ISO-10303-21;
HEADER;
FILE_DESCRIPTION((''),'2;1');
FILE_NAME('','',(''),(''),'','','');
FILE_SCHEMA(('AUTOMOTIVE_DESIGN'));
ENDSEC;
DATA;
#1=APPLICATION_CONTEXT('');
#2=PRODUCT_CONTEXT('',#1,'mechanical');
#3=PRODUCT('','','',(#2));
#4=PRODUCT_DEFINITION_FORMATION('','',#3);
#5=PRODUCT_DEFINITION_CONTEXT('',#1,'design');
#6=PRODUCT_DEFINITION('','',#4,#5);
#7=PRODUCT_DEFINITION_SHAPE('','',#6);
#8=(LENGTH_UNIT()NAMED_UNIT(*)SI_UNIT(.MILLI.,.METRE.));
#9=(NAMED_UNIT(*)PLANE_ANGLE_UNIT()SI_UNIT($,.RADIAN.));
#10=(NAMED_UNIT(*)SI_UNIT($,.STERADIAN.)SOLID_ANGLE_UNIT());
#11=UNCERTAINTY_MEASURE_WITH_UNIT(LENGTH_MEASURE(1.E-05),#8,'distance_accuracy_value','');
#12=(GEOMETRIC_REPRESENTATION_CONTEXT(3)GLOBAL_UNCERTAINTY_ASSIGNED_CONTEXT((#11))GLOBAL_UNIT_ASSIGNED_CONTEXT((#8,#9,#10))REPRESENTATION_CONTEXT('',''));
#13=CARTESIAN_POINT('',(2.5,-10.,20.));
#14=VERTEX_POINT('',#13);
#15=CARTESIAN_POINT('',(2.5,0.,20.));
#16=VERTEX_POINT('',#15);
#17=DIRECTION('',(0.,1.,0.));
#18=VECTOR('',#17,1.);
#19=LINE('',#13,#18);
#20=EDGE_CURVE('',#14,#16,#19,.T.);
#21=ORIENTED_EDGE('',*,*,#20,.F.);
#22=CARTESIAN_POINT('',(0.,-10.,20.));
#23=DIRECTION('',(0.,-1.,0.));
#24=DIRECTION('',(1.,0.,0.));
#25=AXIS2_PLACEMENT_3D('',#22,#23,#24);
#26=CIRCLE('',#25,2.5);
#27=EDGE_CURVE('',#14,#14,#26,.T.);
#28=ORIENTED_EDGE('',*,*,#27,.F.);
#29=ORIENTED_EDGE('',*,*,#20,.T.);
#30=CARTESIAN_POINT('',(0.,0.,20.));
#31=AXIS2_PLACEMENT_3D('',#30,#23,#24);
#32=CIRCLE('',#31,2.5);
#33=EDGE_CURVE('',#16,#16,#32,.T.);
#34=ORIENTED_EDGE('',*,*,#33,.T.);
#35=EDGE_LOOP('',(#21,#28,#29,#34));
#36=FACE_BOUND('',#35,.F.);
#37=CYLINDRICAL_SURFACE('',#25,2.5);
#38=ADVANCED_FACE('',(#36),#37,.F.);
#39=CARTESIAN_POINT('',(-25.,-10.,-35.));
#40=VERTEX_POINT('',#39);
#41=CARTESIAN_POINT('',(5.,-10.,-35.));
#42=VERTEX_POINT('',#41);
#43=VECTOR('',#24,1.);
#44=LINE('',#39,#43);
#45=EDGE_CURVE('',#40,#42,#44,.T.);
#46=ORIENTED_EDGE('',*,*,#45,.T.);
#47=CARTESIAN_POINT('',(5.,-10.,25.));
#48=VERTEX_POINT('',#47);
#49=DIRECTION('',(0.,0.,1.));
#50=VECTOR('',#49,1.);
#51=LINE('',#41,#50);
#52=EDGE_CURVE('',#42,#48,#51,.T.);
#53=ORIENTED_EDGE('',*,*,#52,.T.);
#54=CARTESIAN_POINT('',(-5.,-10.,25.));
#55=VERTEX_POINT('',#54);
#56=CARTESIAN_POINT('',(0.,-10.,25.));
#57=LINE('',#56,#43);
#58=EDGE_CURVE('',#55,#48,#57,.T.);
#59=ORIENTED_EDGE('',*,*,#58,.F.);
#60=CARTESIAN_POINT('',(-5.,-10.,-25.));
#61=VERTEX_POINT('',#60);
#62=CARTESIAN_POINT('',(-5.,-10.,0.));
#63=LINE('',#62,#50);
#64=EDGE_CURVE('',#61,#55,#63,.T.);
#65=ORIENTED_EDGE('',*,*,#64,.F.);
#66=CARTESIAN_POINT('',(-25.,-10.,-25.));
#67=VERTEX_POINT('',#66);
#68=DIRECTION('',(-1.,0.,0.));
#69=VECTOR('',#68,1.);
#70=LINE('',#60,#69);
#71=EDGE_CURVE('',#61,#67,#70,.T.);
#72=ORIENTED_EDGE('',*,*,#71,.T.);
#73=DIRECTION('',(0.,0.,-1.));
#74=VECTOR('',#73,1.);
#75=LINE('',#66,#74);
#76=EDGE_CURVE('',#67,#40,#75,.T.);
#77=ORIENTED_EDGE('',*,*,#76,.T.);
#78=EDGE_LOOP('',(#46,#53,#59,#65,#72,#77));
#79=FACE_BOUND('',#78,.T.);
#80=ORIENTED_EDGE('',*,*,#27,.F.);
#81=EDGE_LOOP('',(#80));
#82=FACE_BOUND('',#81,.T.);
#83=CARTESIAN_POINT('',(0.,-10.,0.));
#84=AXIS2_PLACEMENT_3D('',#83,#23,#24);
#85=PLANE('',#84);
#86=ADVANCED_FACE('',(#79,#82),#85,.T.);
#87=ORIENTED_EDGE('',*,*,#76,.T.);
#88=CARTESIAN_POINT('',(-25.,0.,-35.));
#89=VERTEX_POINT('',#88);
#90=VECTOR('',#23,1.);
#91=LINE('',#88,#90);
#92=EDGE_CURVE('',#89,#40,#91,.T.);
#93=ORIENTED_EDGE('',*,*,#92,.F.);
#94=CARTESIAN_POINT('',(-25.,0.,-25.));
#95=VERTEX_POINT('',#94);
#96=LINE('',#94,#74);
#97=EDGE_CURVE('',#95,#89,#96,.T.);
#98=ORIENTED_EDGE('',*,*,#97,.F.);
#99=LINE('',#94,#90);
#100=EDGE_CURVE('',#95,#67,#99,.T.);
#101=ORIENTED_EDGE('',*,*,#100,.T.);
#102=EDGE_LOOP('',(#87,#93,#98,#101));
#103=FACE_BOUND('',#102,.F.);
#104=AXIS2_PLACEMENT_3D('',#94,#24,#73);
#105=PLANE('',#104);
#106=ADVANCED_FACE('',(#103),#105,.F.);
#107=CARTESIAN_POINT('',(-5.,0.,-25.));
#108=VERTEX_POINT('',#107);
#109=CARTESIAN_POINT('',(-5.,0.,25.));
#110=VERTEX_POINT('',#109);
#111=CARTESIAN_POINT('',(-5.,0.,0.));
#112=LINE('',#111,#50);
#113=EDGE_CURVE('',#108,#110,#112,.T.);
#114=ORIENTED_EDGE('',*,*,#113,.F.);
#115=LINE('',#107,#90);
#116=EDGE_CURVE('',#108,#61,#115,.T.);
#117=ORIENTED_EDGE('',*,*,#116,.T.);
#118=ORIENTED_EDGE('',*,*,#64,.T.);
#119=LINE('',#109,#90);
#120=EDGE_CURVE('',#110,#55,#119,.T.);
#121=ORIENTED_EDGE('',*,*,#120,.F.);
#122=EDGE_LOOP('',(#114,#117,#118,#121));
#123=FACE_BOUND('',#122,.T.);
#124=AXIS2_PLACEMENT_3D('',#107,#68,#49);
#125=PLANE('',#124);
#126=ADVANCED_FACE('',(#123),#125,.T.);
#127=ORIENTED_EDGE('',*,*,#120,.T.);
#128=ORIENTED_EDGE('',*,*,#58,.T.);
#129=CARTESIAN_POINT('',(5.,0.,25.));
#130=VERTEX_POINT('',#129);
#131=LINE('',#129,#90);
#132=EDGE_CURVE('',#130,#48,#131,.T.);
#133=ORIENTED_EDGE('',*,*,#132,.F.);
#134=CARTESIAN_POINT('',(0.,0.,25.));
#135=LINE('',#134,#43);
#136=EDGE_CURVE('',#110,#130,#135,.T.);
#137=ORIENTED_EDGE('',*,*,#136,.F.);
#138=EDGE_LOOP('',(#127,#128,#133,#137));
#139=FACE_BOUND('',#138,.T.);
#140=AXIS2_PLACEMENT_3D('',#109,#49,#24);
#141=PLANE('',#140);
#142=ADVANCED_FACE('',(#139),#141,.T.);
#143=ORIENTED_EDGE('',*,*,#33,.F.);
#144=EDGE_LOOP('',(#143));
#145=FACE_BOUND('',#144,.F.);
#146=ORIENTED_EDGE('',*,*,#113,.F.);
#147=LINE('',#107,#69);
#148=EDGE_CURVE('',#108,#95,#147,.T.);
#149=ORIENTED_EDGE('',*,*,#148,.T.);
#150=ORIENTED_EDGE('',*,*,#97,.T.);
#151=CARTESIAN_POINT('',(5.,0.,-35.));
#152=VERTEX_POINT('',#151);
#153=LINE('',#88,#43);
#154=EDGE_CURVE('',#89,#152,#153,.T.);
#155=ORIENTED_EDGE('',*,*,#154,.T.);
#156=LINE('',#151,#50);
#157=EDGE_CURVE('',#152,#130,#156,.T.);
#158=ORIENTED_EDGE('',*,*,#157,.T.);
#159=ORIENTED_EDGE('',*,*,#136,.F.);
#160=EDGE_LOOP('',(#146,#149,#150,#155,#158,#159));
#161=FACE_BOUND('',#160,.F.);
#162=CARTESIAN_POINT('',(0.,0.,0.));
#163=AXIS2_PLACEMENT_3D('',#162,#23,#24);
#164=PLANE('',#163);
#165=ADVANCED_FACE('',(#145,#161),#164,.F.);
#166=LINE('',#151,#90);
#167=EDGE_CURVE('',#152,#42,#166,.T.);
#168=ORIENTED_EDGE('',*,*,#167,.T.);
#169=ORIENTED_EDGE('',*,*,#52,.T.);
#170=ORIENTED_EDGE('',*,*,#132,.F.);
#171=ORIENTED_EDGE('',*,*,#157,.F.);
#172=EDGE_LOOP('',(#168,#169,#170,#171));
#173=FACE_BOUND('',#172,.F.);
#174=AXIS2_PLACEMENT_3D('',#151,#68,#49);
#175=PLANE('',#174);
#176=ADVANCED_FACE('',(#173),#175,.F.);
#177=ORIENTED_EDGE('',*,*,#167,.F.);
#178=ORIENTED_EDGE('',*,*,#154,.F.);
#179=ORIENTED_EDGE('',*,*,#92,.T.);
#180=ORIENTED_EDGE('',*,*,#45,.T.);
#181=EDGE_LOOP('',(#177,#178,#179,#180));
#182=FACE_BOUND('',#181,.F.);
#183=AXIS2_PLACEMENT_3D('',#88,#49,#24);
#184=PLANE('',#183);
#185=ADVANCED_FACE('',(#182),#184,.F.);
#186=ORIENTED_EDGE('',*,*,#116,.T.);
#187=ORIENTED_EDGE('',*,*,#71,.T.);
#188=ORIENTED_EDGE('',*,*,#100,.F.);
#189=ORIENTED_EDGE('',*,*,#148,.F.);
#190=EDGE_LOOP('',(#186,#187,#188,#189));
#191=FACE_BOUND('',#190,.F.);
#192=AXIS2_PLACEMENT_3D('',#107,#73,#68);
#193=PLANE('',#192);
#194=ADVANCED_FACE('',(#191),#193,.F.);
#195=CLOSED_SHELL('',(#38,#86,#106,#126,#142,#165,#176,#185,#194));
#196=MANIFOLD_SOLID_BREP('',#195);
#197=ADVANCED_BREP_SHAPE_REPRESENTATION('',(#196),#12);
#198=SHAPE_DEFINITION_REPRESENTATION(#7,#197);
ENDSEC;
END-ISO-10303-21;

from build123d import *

# Parameters (mm, degrees)
F0_W     = 10
F0_H     = 50
F1_DEPTH = 10
F2_R     = 2.5
F3_DEPTH = 10


with BuildPart() as f1:
    # F0 (on Front) → F1 (new body)
    with BuildSketch(Plane.XZ):
        Rectangle(F0_W, F0_H)
        Polygon((5, -35), (5, -25), (-5, -25), (-25, -25), (-25, -35), align=None)
    extrude(amount=F1_DEPTH)

    # F2 (on face) → F3 (cut, through all)
    with BuildSketch(Plane.XZ.offset(10)):
        with Locations((0, 20)):
            Circle(F2_R)
    extrude(amount=-F3_DEPTH, mode=Mode.SUBTRACT)


solid = f1.part
